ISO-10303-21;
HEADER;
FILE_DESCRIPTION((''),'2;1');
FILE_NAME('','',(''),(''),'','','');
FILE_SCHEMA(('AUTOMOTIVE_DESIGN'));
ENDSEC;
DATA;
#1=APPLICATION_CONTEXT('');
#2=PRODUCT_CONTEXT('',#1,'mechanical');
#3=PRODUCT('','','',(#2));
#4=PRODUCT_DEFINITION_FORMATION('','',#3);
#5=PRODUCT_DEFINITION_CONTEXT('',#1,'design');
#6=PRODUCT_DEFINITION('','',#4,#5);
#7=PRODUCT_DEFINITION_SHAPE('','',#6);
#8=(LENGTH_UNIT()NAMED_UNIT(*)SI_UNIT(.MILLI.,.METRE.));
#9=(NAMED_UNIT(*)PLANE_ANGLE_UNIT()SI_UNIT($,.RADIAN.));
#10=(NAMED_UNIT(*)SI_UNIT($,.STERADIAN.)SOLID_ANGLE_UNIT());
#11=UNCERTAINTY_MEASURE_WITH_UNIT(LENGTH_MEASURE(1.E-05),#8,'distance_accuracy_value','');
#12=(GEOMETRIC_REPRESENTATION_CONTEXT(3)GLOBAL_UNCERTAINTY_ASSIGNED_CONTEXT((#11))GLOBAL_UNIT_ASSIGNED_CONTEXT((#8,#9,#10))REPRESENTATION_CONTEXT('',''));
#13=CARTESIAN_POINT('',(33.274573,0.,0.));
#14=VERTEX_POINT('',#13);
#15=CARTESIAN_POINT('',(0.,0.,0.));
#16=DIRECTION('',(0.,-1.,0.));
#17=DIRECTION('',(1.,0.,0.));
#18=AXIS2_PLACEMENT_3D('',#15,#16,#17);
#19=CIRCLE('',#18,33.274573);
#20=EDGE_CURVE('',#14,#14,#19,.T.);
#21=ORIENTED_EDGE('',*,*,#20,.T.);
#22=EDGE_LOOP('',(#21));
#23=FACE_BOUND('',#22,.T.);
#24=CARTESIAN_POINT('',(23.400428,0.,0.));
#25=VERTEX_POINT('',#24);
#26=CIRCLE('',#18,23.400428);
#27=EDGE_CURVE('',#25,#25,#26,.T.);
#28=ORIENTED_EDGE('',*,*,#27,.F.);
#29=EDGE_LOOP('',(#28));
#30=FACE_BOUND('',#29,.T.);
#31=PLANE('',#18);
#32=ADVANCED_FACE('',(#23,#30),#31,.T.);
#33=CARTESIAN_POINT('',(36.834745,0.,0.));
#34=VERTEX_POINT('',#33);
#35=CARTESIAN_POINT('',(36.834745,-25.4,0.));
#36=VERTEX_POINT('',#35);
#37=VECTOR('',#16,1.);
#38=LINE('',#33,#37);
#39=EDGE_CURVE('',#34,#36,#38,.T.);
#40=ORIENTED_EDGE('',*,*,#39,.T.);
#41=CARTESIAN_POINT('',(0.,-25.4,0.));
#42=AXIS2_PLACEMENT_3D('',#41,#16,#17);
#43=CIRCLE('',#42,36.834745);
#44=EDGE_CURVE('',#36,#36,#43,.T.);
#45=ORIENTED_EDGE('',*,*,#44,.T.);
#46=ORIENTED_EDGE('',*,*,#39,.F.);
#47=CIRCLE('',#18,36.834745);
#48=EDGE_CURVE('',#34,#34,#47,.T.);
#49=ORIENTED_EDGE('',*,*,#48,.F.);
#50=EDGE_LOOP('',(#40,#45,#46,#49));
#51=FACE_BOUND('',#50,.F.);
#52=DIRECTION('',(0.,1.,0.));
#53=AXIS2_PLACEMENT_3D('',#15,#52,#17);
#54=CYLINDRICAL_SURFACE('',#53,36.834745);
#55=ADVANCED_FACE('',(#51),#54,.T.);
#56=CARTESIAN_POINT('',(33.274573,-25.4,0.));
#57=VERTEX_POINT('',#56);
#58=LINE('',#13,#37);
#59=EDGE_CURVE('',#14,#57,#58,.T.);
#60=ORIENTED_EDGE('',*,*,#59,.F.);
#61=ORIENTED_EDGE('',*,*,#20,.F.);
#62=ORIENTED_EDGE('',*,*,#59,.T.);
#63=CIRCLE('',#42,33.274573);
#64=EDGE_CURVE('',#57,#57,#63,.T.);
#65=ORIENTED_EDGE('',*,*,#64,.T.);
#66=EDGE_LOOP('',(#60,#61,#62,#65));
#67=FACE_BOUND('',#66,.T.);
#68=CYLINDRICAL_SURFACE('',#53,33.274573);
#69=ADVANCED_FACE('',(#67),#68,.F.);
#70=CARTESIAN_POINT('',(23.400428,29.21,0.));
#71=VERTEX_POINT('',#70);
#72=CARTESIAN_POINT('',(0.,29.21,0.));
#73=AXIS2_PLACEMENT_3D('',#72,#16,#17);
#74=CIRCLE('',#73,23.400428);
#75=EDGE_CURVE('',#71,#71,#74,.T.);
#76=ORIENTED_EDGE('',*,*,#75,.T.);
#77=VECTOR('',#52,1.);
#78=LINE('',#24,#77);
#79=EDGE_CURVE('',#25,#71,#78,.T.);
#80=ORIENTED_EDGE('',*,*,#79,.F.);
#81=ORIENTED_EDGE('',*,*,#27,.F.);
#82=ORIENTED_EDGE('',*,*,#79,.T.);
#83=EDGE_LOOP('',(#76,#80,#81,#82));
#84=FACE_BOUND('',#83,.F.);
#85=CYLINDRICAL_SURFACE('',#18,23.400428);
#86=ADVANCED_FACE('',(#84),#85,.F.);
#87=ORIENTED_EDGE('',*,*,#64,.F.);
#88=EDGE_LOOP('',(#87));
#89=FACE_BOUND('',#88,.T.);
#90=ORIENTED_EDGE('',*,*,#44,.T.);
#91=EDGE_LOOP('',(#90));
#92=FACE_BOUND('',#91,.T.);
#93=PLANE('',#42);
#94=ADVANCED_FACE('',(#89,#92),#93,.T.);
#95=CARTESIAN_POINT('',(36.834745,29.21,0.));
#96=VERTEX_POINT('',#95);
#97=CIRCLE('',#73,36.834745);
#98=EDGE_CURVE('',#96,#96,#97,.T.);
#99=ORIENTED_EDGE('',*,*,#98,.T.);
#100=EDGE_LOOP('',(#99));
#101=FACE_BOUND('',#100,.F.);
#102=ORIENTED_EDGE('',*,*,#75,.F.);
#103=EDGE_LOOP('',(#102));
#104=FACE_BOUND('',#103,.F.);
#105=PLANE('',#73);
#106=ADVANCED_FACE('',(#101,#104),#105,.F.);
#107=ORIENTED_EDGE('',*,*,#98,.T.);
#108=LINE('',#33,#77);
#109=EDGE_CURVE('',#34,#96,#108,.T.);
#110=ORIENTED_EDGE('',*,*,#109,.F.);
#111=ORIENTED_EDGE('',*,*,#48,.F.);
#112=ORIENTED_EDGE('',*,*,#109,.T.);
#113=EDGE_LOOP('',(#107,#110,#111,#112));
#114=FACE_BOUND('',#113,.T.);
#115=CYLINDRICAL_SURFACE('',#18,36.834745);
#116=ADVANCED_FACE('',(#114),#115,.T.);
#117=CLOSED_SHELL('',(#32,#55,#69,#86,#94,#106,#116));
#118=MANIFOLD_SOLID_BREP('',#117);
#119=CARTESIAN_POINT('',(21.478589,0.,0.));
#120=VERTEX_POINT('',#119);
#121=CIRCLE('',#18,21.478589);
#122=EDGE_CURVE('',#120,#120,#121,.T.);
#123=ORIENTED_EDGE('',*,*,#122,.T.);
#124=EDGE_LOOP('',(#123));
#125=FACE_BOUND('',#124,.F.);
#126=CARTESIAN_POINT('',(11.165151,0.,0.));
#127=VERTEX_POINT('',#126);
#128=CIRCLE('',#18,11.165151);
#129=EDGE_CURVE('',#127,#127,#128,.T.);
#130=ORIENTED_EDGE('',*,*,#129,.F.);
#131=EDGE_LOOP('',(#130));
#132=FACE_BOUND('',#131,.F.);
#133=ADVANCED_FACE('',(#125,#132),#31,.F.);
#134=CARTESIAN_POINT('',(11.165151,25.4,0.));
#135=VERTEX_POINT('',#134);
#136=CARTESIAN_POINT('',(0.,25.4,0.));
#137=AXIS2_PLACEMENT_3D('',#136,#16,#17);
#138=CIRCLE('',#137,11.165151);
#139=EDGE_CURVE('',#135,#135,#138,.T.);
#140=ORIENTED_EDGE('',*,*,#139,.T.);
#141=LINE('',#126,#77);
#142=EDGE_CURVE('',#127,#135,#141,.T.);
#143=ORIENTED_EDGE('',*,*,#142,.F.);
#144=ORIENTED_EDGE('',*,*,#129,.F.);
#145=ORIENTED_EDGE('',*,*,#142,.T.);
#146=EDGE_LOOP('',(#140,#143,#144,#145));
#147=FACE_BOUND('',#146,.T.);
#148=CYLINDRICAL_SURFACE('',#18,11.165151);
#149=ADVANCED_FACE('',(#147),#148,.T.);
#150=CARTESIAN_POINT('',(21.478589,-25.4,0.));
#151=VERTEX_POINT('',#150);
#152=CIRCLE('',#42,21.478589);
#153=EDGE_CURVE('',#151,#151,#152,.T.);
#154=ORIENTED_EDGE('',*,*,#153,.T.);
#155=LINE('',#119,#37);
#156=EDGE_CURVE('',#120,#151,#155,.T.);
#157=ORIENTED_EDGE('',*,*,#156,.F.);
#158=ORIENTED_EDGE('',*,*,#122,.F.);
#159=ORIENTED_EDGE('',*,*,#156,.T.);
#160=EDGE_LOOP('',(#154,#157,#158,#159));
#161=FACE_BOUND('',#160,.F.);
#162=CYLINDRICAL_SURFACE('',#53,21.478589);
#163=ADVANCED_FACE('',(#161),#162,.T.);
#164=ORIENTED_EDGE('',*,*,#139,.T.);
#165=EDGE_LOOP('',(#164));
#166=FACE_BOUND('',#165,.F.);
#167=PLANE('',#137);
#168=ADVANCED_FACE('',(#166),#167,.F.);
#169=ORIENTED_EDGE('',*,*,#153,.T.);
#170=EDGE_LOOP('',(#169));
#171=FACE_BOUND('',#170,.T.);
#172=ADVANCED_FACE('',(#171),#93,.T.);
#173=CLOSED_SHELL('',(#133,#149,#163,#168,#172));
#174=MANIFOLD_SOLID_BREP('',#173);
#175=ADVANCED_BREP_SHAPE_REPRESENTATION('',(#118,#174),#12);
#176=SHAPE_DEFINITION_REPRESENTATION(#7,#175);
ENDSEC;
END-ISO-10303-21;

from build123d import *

# Parameters (mm, degrees)
F0_R      = 11.1651505915
F1_DEPTH  = 25.4
F0_R_2    = 21.478588928
F1_FACE_R = 11.1651505915
F2_DEPTH  = 25.4
F3_R      = 36.8347445055
F3_R_2    = 23.4004283817
F4_DEPTH  = 29.21
F5_R      = 36.8347445055
F5_R_2    = 33.2745729173
F6_DEPTH  = 25.4


with BuildPart() as f1:
    # F0 (on Front) → F1 (new body)
    with BuildSketch(Plane.XZ):
        Circle(F0_R)
    extrude(amount=-F1_DEPTH)

    # F0 (on Front) + F1_face (on face) → F2 (join)
    with BuildSketch(Plane.XZ):
        Circle(F0_R_2)
        Circle(F0_R, mode=Mode.SUBTRACT)
    with BuildSketch(Plane.XZ):
        Circle(F1_FACE_R)
    extrude(amount=F2_DEPTH)


with BuildPart() as f4:
    # F3 (on Front) → F4 (new body)
    with BuildSketch(Plane.XZ):
        Circle(F3_R)
        Circle(F3_R_2, mode=Mode.SUBTRACT)
    extrude(amount=-F4_DEPTH)

    # F5 (on face) → F6 (join)
    with BuildSketch(Plane.XZ):
        Circle(F5_R)
        Circle(F5_R_2, mode=Mode.SUBTRACT)
    extrude(amount=F6_DEPTH)


solid = Compound([f1.part, f4.part])
